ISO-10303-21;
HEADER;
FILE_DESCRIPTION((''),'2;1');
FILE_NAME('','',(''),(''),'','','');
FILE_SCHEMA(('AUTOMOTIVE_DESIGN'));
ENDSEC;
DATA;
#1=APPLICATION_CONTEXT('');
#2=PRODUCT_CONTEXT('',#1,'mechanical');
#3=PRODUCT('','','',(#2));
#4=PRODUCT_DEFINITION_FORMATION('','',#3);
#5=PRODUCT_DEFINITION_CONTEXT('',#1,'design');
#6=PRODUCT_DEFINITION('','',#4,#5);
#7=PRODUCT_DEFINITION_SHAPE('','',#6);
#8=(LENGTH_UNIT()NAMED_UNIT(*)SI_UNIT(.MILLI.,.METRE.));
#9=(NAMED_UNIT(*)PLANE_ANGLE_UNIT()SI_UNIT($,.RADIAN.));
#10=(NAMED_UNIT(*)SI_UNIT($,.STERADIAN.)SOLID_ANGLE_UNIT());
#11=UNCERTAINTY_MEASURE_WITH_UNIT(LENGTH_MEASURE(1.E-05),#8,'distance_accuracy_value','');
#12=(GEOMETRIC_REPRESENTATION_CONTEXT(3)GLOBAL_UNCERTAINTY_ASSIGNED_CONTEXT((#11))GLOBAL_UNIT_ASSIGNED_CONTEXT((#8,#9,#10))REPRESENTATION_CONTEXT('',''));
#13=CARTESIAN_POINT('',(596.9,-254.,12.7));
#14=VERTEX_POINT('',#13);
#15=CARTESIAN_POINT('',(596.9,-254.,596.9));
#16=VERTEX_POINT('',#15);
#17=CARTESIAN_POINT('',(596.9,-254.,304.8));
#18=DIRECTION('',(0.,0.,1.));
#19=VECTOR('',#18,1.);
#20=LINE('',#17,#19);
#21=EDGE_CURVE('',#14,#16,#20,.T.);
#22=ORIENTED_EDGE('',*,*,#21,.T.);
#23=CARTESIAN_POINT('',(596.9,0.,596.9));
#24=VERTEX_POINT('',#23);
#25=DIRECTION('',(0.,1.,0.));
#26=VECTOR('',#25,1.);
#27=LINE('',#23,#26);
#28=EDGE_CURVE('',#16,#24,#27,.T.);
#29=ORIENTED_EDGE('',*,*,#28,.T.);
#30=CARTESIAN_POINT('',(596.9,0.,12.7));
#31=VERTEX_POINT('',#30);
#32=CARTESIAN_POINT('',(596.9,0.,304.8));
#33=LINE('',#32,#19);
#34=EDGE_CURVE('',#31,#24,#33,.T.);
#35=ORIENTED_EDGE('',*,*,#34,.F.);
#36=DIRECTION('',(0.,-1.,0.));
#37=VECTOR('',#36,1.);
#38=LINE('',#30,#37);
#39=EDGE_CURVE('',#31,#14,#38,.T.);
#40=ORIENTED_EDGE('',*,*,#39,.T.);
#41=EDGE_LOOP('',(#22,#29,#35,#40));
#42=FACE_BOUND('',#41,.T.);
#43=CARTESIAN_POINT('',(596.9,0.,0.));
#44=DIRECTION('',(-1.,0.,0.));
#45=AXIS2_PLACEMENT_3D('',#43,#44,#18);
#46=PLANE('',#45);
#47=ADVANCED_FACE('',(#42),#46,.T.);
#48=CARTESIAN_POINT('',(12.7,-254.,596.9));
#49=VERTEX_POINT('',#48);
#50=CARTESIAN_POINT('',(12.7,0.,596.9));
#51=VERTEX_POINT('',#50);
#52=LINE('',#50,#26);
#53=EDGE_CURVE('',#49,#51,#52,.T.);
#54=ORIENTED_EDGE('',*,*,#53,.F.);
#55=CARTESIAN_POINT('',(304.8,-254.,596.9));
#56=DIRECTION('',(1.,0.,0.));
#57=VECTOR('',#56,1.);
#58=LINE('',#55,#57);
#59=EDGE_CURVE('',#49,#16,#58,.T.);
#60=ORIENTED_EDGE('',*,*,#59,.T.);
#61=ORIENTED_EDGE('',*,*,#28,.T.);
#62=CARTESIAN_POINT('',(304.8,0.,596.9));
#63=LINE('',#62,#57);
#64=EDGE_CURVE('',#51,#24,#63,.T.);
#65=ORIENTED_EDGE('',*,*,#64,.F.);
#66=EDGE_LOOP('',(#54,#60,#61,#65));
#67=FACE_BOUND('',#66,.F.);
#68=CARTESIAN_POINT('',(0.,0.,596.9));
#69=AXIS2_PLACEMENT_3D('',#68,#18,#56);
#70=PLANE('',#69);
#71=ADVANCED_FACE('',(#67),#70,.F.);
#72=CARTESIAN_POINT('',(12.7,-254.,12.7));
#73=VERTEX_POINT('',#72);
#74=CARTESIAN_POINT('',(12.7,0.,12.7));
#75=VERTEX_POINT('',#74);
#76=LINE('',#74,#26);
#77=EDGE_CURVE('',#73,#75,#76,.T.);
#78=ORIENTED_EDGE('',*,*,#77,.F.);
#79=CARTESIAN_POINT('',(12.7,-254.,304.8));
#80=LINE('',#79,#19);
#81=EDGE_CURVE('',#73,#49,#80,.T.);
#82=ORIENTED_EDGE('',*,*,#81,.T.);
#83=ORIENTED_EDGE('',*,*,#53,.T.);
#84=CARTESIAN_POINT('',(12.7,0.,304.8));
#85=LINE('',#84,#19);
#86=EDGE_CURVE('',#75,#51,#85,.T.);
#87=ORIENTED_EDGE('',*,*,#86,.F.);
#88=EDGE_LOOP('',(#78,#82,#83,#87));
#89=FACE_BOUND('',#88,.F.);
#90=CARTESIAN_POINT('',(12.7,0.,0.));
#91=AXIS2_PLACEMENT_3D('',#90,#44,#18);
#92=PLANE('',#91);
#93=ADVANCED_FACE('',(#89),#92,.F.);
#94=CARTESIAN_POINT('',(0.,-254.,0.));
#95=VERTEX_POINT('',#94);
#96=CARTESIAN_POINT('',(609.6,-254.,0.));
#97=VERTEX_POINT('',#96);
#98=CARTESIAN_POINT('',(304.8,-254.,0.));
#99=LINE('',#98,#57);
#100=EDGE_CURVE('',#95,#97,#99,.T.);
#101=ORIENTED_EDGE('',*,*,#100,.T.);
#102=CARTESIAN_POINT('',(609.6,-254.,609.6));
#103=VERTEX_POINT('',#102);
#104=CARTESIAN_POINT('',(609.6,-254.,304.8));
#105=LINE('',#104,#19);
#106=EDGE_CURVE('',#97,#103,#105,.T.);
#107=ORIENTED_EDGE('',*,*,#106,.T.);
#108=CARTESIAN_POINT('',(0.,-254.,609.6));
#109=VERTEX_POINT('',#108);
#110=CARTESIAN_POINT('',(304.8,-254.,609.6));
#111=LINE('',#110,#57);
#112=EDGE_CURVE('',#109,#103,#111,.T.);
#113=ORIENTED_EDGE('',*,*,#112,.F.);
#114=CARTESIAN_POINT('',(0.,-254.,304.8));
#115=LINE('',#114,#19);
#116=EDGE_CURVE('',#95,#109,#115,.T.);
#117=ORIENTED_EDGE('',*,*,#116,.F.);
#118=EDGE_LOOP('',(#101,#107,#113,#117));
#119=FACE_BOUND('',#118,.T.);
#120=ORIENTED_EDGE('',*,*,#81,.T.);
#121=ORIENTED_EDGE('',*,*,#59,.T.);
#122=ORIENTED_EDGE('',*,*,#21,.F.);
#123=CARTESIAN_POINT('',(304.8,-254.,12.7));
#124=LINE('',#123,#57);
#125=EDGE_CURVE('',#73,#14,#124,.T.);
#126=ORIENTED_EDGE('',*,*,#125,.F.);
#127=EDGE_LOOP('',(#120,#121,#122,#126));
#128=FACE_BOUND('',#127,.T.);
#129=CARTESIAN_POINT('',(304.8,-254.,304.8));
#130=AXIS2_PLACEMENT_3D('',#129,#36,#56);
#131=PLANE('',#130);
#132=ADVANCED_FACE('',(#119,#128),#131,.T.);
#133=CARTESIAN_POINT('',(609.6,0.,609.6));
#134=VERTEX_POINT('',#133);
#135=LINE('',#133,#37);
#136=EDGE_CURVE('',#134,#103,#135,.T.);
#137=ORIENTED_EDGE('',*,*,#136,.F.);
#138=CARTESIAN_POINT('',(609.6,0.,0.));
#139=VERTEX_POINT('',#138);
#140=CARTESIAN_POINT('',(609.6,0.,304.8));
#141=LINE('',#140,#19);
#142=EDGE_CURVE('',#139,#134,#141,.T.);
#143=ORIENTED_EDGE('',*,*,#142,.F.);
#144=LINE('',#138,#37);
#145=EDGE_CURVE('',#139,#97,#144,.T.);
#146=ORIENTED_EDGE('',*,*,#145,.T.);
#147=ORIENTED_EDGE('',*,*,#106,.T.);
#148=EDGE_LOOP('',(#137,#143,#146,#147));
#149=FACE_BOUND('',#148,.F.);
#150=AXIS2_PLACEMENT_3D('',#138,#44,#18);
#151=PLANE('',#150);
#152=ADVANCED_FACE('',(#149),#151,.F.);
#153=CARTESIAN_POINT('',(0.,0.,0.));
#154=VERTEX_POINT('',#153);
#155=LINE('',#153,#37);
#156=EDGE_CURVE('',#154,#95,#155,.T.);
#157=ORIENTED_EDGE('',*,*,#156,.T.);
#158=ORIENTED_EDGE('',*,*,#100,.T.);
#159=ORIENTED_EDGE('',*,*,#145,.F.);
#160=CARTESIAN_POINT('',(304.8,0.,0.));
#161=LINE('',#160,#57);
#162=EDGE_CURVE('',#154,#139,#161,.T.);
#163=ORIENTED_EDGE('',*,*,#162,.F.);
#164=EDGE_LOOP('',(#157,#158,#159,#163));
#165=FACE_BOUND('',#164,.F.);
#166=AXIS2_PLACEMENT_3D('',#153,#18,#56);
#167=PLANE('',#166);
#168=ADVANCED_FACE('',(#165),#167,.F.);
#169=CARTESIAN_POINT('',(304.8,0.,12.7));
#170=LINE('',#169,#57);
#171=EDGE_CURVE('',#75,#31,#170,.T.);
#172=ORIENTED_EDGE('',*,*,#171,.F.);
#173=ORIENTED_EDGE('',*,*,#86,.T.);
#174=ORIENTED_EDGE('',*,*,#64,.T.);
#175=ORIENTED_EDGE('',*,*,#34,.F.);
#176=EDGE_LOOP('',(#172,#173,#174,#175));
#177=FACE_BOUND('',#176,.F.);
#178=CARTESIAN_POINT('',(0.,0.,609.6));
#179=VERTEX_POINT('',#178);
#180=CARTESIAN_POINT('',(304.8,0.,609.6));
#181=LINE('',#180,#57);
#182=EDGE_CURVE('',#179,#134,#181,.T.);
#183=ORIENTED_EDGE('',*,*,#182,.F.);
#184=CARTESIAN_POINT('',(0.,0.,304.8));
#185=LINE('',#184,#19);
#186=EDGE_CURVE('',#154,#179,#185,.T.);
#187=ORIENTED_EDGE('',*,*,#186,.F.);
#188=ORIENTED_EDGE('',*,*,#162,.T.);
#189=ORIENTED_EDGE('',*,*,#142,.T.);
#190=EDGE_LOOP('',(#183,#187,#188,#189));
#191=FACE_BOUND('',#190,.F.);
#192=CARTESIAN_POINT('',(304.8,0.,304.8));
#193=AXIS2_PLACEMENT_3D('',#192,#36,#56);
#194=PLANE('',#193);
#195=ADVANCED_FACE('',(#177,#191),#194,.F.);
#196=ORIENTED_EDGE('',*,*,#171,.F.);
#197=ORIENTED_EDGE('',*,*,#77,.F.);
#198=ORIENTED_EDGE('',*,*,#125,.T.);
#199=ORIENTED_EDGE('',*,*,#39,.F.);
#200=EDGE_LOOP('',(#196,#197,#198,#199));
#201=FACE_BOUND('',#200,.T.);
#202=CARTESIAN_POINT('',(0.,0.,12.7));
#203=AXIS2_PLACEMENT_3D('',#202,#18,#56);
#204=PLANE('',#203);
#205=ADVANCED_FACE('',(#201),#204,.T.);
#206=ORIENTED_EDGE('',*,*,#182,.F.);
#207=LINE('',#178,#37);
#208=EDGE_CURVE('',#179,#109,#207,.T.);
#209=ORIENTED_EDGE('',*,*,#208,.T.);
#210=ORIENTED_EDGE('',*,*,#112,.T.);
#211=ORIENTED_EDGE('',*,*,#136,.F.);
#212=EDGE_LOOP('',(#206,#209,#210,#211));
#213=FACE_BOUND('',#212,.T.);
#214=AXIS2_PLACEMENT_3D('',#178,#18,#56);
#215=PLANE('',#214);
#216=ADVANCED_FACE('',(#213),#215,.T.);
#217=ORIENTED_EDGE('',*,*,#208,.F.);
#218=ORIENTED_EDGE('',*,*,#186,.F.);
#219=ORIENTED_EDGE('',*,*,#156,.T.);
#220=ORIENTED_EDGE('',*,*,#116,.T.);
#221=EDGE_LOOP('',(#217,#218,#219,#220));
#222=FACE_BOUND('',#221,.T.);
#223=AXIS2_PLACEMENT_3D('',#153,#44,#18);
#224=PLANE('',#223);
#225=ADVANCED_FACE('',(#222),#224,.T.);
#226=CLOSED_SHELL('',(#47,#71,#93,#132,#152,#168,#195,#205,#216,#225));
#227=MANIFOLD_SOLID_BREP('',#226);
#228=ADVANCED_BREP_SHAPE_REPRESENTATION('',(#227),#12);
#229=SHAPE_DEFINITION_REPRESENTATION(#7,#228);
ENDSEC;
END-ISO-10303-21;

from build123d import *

# Parameters (mm, degrees)
F0_W     = 609.6
F0_H     = 609.6
F1_DEPTH = 254
F2_T     = -12.7


with BuildPart() as f1:
    # F0 (on Front) → F1 (new body)
    with BuildSketch(Plane.XZ):
        with Locations((304.8, 304.8)):
            Rectangle(F0_W, F0_H)
    extrude(amount=F1_DEPTH)

    # F2
    f2_openings = [f1.faces().sort_by_distance(p)[0] for p in [
        (304.8, -254, 304.8),
        (304.8, 0, 304.8),
    ]]
    offset(amount=F2_T, openings=f2_openings)


solid = f1.part
